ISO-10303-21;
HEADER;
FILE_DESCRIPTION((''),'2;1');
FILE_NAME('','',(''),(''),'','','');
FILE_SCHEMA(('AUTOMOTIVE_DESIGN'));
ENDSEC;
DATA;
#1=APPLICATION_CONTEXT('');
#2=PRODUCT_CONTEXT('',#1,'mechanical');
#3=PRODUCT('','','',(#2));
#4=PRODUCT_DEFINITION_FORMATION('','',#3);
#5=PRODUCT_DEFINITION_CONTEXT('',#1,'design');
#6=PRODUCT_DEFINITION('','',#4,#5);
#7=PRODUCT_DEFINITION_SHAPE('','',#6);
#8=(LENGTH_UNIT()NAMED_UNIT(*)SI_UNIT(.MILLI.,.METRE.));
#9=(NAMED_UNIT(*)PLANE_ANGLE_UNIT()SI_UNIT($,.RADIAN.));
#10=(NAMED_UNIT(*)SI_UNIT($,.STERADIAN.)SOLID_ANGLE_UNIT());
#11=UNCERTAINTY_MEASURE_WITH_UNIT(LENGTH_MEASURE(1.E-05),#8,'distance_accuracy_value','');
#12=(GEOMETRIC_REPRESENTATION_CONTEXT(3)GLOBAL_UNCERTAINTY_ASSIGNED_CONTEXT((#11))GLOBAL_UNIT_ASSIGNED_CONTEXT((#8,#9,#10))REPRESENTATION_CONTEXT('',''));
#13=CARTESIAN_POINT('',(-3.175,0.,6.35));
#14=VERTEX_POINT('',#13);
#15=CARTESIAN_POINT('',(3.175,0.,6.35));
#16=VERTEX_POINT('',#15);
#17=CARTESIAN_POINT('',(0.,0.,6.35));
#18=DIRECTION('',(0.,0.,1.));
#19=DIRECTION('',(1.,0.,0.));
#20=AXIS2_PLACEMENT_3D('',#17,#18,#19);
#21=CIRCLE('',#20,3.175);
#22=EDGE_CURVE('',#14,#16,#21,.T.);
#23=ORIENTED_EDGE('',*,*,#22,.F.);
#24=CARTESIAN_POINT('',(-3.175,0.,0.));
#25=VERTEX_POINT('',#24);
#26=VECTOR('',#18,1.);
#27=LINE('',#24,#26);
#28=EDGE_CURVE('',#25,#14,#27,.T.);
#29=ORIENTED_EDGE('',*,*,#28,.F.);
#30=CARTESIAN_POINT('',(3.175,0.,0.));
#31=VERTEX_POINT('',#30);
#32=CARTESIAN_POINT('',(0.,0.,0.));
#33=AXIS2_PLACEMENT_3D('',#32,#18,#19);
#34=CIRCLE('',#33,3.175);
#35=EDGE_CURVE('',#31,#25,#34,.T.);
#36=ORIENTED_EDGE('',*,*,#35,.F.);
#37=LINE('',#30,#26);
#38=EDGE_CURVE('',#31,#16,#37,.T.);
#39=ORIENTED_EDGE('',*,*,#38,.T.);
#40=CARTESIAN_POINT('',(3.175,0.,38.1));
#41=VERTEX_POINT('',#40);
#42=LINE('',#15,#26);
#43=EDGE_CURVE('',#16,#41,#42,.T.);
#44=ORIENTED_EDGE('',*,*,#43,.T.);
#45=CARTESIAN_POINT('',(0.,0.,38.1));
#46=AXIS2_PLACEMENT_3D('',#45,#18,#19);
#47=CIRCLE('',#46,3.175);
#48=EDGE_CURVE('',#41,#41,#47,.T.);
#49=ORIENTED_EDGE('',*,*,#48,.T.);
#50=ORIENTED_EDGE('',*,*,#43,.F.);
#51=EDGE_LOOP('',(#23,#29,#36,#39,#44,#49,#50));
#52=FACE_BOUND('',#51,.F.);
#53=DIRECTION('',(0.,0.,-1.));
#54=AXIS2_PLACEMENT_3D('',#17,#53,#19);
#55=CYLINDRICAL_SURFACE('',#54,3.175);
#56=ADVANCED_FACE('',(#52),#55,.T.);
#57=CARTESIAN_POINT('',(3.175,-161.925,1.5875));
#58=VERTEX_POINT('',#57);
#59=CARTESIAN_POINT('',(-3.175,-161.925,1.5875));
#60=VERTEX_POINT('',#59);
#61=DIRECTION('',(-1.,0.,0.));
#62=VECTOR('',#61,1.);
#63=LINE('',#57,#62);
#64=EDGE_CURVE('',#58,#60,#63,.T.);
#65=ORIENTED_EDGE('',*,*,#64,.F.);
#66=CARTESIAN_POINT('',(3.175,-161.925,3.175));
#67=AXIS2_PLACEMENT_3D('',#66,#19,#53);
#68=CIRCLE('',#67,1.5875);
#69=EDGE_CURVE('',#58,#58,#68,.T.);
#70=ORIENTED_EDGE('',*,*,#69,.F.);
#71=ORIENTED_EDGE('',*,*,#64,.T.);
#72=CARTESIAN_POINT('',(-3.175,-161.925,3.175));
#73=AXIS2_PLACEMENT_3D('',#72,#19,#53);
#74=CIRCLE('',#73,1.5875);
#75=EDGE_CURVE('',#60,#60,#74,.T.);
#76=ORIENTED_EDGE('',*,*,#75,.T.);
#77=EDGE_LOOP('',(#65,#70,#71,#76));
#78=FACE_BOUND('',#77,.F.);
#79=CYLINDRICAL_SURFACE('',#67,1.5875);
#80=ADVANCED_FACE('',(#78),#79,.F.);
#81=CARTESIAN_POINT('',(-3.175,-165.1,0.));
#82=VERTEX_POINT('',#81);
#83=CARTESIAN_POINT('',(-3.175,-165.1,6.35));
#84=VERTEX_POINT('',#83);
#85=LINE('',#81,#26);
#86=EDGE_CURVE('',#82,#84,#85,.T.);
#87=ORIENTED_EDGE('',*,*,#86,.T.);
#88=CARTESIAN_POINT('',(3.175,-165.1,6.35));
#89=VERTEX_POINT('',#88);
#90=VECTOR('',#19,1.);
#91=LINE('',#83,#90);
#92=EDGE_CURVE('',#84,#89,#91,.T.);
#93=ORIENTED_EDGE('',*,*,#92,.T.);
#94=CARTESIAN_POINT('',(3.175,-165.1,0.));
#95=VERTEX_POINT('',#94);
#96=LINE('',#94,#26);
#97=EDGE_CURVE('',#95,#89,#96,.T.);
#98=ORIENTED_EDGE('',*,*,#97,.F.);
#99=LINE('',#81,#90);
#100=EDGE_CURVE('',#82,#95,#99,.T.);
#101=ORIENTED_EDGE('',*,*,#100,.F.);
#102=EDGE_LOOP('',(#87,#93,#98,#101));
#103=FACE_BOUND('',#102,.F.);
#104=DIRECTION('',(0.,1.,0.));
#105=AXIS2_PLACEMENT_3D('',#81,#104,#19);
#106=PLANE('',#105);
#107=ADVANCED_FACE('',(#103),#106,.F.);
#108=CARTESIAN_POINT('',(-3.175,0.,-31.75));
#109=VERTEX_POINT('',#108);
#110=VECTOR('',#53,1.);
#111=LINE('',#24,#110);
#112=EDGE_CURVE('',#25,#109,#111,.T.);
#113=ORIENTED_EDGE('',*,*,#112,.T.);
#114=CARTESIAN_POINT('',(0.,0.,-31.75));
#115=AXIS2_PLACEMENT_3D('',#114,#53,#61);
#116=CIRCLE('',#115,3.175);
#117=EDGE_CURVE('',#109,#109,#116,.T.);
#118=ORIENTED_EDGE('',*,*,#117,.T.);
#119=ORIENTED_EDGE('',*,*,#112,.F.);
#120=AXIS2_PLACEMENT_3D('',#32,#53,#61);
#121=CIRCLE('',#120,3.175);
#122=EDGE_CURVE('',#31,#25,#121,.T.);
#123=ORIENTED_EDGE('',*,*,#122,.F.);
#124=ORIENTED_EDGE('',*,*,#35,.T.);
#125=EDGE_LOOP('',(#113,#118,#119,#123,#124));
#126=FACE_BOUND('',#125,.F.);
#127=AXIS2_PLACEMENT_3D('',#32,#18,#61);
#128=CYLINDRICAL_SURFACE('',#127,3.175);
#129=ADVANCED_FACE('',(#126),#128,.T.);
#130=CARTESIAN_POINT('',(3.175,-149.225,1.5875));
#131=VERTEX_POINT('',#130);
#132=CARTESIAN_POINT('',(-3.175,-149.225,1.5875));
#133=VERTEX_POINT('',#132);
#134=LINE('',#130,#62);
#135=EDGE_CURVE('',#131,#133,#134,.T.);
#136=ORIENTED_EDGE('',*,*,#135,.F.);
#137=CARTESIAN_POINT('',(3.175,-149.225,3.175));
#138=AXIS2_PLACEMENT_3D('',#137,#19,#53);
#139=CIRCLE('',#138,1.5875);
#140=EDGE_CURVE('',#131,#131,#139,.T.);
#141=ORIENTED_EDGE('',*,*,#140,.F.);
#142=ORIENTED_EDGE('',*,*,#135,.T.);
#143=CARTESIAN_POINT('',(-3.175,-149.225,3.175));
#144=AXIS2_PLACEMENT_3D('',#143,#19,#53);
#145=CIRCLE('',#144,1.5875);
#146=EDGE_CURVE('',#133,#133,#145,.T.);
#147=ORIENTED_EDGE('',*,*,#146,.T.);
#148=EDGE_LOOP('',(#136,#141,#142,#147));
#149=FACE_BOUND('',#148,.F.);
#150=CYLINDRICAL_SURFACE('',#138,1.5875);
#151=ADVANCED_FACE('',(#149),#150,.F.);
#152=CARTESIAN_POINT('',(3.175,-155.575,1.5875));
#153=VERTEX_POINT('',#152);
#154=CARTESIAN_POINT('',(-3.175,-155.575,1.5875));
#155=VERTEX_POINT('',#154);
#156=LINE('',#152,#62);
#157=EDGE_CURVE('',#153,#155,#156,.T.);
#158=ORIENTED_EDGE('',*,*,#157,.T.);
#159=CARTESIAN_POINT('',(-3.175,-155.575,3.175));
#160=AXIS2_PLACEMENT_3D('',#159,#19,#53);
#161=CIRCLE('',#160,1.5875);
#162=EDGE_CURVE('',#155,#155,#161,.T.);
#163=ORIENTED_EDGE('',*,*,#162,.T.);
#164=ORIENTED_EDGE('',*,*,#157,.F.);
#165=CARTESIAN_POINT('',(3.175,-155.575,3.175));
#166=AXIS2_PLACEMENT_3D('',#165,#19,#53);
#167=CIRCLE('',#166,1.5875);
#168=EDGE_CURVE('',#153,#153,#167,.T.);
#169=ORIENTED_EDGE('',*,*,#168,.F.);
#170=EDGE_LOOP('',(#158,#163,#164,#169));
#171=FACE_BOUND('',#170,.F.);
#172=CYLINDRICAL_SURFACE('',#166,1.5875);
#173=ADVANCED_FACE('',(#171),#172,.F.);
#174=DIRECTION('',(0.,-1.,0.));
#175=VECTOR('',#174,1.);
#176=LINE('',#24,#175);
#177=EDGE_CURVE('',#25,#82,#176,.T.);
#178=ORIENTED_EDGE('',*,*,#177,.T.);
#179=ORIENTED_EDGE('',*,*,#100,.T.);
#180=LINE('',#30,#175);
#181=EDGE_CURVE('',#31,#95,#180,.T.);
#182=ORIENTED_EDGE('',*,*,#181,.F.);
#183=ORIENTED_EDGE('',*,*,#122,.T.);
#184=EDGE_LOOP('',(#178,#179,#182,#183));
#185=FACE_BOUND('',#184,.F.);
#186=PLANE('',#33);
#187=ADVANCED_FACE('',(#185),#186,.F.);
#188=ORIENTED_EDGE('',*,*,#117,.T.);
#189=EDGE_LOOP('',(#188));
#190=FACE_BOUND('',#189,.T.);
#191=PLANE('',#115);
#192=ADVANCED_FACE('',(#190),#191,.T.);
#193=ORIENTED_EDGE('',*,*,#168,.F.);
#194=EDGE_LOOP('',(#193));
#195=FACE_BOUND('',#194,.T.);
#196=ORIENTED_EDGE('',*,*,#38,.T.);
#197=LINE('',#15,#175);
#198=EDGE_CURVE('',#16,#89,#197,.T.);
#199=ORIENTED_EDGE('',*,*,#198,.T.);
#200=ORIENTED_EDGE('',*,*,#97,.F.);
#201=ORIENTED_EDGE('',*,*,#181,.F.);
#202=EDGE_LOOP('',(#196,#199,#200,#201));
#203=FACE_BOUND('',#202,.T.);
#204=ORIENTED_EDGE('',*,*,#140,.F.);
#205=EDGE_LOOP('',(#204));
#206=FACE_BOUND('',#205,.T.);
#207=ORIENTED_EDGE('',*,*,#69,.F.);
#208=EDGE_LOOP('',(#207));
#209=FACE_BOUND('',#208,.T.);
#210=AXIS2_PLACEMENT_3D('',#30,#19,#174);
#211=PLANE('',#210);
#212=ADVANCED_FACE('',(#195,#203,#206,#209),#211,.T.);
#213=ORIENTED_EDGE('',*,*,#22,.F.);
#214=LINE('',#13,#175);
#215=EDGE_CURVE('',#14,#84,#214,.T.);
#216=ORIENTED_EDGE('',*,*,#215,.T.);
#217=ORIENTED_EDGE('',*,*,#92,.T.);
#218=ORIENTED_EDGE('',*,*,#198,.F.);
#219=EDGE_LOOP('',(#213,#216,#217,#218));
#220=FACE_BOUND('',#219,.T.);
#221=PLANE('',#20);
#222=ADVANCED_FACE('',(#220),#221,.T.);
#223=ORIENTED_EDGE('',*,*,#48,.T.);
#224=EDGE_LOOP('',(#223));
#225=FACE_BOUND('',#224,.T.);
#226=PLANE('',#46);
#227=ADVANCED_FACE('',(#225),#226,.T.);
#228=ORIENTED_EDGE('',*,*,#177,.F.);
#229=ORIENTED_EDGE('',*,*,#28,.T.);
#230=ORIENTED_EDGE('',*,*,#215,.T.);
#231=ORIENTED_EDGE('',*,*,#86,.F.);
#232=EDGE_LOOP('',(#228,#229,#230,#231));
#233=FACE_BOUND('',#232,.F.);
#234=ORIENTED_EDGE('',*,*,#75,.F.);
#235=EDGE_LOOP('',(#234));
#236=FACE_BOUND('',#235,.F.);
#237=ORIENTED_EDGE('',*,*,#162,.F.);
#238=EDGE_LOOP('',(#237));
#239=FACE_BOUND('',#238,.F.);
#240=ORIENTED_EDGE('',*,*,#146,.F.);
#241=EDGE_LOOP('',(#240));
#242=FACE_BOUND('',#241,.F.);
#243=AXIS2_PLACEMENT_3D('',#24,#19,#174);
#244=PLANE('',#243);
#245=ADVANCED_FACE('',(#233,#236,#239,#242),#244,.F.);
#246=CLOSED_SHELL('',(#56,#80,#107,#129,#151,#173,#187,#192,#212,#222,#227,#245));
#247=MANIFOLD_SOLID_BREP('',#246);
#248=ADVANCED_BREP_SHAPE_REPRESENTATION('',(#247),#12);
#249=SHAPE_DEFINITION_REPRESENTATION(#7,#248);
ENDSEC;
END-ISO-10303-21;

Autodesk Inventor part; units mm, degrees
ref_plane "YZ Plane" through (0, 0, 0) normal (1, 0, 0) x (0, 1, 0)
ref_plane "XZ Plane" through (0, 0, 0) normal (0, 1, 0) x (-1, 0, 0)
ref_plane "XY Plane" through (0, 0, 0) normal (0, 0, 1) x (1, 0, 0)
sketch "Sketch1" plane through (0, 0, 0) normal (0, 0, 1) x (1, 0, 0)
  circle A0 centre (0, 0) radius 3.175
  line L0 (-3.175, 0) -> (-3.175, -165.1)
  line L1 (3.175, 0) -> (3.175, -165.1)
  line L2 (-3.175, -165.1) -> (3.175, -165.1)
  dimension "d0" = 6.35
  dimension "d1" = 165.1
  dimension "d2" = 165.1
extrude "Extrusion1" add sketch "Sketch1" along normal blind 6.35
sketch "Sketch2" plane through (0, 0, 6.35) normal (0, 0, 1) x (1, 0, 0)
  circle A0 centre (0, 0) radius 3.175
  dimension "d5" = 6.35
extrude "Extrusion2" add sketch "Sketch2" along normal blind 31.75
sketch "Sketch3" plane through (0, 0, 0) normal (0, 0, -1) x (-1, 0, 0)
  circle A0 centre (0, 0) radius 3.175
  dimension "d8" = 6.35
extrude "Extrusion3" add sketch "Sketch3" along normal blind 31.75
sketch "Sketch5" plane through (3.175, -165.1, 0) normal (1, 0, 0) x (0, 0, -1)
  circle A0 centre (-3.175, 3.175) radius 1.5875
  circle A1 centre (-3.175, 9.525) radius 1.5875
  circle A2 centre (-3.175, 15.875) radius 1.5875
  line L0 (-6.35, 0) -> (-6.35, 165.1) projected
  line L1 (0, 0) -> (-6.35, 0) projected
  point P0 (0, 165.1)
  dimension "d11" = 3.175
  dimension "d12" = 3.175
  dimension "d13" = 3.175
  dimension "d14" = 3.175
  dimension "d15" = 3.175
  dimension "d16" = 6.35
  dimension "d17" = 6.35
extrude "Extrusion4" cut sketch "Sketch5" against normal blind 12.7
properties part number "PendulumHanger"
